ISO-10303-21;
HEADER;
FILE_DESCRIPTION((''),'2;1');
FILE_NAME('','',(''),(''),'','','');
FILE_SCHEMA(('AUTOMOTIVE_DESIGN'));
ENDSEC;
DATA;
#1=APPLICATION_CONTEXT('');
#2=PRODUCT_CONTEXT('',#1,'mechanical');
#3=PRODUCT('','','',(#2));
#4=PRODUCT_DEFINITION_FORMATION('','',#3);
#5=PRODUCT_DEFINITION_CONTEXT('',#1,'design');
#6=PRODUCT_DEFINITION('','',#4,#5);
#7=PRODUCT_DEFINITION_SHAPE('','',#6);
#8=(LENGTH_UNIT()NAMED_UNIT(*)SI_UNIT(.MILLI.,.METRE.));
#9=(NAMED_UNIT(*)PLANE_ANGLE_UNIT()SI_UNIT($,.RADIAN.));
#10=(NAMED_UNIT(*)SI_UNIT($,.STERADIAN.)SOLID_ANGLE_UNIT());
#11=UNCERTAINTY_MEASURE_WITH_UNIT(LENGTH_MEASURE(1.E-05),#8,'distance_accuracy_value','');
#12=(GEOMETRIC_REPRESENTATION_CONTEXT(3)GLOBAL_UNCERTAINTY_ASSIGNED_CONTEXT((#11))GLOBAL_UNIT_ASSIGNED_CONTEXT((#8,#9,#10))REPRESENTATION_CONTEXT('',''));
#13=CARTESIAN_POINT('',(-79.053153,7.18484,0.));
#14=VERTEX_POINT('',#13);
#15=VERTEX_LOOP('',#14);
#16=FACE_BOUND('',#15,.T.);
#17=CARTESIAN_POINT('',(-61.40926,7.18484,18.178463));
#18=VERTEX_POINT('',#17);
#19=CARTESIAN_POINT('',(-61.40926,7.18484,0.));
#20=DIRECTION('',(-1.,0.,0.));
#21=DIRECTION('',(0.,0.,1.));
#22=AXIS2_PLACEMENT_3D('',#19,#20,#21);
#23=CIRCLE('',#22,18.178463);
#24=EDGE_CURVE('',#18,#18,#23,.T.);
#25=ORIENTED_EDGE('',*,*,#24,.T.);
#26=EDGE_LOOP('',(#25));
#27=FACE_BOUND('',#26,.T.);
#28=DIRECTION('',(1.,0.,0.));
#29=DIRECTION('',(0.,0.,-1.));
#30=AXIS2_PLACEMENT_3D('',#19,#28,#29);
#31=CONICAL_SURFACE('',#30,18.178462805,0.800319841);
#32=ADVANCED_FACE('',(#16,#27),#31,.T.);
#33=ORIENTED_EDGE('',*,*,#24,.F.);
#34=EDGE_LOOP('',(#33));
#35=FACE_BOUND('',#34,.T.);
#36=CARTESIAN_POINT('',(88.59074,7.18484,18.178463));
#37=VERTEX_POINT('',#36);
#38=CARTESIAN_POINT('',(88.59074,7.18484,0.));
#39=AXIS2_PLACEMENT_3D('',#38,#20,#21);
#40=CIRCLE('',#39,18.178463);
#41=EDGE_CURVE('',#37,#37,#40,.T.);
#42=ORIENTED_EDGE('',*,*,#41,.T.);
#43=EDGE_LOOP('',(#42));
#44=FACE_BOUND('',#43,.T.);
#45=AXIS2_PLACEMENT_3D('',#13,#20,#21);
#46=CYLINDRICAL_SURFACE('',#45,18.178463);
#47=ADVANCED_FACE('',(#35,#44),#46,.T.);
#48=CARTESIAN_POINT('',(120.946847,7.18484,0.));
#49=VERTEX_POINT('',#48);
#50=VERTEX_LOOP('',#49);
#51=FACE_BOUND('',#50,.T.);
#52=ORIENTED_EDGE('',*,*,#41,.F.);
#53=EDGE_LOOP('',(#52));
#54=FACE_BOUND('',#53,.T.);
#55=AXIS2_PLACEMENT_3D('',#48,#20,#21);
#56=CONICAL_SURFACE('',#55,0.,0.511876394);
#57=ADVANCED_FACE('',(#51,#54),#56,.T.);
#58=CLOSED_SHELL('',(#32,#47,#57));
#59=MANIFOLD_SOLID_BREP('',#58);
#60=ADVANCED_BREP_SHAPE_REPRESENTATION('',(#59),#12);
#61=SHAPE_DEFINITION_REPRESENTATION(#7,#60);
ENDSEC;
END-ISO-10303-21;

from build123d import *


with BuildPart() as part:
    # Croquis1 → Revolución2 (revolve)
    with BuildSketch(Plane.XY):
        Polygon((-79.053152984, 7.18483977), (120.946847016, 7.18483977), (88.590740478, 25.363302575), (-61.409259522, 25.363302575), align=None)
    revolve(axis=Axis((-79.053152984, 7.18483977, 0), (1, 0, 0)))


solid = part.part
